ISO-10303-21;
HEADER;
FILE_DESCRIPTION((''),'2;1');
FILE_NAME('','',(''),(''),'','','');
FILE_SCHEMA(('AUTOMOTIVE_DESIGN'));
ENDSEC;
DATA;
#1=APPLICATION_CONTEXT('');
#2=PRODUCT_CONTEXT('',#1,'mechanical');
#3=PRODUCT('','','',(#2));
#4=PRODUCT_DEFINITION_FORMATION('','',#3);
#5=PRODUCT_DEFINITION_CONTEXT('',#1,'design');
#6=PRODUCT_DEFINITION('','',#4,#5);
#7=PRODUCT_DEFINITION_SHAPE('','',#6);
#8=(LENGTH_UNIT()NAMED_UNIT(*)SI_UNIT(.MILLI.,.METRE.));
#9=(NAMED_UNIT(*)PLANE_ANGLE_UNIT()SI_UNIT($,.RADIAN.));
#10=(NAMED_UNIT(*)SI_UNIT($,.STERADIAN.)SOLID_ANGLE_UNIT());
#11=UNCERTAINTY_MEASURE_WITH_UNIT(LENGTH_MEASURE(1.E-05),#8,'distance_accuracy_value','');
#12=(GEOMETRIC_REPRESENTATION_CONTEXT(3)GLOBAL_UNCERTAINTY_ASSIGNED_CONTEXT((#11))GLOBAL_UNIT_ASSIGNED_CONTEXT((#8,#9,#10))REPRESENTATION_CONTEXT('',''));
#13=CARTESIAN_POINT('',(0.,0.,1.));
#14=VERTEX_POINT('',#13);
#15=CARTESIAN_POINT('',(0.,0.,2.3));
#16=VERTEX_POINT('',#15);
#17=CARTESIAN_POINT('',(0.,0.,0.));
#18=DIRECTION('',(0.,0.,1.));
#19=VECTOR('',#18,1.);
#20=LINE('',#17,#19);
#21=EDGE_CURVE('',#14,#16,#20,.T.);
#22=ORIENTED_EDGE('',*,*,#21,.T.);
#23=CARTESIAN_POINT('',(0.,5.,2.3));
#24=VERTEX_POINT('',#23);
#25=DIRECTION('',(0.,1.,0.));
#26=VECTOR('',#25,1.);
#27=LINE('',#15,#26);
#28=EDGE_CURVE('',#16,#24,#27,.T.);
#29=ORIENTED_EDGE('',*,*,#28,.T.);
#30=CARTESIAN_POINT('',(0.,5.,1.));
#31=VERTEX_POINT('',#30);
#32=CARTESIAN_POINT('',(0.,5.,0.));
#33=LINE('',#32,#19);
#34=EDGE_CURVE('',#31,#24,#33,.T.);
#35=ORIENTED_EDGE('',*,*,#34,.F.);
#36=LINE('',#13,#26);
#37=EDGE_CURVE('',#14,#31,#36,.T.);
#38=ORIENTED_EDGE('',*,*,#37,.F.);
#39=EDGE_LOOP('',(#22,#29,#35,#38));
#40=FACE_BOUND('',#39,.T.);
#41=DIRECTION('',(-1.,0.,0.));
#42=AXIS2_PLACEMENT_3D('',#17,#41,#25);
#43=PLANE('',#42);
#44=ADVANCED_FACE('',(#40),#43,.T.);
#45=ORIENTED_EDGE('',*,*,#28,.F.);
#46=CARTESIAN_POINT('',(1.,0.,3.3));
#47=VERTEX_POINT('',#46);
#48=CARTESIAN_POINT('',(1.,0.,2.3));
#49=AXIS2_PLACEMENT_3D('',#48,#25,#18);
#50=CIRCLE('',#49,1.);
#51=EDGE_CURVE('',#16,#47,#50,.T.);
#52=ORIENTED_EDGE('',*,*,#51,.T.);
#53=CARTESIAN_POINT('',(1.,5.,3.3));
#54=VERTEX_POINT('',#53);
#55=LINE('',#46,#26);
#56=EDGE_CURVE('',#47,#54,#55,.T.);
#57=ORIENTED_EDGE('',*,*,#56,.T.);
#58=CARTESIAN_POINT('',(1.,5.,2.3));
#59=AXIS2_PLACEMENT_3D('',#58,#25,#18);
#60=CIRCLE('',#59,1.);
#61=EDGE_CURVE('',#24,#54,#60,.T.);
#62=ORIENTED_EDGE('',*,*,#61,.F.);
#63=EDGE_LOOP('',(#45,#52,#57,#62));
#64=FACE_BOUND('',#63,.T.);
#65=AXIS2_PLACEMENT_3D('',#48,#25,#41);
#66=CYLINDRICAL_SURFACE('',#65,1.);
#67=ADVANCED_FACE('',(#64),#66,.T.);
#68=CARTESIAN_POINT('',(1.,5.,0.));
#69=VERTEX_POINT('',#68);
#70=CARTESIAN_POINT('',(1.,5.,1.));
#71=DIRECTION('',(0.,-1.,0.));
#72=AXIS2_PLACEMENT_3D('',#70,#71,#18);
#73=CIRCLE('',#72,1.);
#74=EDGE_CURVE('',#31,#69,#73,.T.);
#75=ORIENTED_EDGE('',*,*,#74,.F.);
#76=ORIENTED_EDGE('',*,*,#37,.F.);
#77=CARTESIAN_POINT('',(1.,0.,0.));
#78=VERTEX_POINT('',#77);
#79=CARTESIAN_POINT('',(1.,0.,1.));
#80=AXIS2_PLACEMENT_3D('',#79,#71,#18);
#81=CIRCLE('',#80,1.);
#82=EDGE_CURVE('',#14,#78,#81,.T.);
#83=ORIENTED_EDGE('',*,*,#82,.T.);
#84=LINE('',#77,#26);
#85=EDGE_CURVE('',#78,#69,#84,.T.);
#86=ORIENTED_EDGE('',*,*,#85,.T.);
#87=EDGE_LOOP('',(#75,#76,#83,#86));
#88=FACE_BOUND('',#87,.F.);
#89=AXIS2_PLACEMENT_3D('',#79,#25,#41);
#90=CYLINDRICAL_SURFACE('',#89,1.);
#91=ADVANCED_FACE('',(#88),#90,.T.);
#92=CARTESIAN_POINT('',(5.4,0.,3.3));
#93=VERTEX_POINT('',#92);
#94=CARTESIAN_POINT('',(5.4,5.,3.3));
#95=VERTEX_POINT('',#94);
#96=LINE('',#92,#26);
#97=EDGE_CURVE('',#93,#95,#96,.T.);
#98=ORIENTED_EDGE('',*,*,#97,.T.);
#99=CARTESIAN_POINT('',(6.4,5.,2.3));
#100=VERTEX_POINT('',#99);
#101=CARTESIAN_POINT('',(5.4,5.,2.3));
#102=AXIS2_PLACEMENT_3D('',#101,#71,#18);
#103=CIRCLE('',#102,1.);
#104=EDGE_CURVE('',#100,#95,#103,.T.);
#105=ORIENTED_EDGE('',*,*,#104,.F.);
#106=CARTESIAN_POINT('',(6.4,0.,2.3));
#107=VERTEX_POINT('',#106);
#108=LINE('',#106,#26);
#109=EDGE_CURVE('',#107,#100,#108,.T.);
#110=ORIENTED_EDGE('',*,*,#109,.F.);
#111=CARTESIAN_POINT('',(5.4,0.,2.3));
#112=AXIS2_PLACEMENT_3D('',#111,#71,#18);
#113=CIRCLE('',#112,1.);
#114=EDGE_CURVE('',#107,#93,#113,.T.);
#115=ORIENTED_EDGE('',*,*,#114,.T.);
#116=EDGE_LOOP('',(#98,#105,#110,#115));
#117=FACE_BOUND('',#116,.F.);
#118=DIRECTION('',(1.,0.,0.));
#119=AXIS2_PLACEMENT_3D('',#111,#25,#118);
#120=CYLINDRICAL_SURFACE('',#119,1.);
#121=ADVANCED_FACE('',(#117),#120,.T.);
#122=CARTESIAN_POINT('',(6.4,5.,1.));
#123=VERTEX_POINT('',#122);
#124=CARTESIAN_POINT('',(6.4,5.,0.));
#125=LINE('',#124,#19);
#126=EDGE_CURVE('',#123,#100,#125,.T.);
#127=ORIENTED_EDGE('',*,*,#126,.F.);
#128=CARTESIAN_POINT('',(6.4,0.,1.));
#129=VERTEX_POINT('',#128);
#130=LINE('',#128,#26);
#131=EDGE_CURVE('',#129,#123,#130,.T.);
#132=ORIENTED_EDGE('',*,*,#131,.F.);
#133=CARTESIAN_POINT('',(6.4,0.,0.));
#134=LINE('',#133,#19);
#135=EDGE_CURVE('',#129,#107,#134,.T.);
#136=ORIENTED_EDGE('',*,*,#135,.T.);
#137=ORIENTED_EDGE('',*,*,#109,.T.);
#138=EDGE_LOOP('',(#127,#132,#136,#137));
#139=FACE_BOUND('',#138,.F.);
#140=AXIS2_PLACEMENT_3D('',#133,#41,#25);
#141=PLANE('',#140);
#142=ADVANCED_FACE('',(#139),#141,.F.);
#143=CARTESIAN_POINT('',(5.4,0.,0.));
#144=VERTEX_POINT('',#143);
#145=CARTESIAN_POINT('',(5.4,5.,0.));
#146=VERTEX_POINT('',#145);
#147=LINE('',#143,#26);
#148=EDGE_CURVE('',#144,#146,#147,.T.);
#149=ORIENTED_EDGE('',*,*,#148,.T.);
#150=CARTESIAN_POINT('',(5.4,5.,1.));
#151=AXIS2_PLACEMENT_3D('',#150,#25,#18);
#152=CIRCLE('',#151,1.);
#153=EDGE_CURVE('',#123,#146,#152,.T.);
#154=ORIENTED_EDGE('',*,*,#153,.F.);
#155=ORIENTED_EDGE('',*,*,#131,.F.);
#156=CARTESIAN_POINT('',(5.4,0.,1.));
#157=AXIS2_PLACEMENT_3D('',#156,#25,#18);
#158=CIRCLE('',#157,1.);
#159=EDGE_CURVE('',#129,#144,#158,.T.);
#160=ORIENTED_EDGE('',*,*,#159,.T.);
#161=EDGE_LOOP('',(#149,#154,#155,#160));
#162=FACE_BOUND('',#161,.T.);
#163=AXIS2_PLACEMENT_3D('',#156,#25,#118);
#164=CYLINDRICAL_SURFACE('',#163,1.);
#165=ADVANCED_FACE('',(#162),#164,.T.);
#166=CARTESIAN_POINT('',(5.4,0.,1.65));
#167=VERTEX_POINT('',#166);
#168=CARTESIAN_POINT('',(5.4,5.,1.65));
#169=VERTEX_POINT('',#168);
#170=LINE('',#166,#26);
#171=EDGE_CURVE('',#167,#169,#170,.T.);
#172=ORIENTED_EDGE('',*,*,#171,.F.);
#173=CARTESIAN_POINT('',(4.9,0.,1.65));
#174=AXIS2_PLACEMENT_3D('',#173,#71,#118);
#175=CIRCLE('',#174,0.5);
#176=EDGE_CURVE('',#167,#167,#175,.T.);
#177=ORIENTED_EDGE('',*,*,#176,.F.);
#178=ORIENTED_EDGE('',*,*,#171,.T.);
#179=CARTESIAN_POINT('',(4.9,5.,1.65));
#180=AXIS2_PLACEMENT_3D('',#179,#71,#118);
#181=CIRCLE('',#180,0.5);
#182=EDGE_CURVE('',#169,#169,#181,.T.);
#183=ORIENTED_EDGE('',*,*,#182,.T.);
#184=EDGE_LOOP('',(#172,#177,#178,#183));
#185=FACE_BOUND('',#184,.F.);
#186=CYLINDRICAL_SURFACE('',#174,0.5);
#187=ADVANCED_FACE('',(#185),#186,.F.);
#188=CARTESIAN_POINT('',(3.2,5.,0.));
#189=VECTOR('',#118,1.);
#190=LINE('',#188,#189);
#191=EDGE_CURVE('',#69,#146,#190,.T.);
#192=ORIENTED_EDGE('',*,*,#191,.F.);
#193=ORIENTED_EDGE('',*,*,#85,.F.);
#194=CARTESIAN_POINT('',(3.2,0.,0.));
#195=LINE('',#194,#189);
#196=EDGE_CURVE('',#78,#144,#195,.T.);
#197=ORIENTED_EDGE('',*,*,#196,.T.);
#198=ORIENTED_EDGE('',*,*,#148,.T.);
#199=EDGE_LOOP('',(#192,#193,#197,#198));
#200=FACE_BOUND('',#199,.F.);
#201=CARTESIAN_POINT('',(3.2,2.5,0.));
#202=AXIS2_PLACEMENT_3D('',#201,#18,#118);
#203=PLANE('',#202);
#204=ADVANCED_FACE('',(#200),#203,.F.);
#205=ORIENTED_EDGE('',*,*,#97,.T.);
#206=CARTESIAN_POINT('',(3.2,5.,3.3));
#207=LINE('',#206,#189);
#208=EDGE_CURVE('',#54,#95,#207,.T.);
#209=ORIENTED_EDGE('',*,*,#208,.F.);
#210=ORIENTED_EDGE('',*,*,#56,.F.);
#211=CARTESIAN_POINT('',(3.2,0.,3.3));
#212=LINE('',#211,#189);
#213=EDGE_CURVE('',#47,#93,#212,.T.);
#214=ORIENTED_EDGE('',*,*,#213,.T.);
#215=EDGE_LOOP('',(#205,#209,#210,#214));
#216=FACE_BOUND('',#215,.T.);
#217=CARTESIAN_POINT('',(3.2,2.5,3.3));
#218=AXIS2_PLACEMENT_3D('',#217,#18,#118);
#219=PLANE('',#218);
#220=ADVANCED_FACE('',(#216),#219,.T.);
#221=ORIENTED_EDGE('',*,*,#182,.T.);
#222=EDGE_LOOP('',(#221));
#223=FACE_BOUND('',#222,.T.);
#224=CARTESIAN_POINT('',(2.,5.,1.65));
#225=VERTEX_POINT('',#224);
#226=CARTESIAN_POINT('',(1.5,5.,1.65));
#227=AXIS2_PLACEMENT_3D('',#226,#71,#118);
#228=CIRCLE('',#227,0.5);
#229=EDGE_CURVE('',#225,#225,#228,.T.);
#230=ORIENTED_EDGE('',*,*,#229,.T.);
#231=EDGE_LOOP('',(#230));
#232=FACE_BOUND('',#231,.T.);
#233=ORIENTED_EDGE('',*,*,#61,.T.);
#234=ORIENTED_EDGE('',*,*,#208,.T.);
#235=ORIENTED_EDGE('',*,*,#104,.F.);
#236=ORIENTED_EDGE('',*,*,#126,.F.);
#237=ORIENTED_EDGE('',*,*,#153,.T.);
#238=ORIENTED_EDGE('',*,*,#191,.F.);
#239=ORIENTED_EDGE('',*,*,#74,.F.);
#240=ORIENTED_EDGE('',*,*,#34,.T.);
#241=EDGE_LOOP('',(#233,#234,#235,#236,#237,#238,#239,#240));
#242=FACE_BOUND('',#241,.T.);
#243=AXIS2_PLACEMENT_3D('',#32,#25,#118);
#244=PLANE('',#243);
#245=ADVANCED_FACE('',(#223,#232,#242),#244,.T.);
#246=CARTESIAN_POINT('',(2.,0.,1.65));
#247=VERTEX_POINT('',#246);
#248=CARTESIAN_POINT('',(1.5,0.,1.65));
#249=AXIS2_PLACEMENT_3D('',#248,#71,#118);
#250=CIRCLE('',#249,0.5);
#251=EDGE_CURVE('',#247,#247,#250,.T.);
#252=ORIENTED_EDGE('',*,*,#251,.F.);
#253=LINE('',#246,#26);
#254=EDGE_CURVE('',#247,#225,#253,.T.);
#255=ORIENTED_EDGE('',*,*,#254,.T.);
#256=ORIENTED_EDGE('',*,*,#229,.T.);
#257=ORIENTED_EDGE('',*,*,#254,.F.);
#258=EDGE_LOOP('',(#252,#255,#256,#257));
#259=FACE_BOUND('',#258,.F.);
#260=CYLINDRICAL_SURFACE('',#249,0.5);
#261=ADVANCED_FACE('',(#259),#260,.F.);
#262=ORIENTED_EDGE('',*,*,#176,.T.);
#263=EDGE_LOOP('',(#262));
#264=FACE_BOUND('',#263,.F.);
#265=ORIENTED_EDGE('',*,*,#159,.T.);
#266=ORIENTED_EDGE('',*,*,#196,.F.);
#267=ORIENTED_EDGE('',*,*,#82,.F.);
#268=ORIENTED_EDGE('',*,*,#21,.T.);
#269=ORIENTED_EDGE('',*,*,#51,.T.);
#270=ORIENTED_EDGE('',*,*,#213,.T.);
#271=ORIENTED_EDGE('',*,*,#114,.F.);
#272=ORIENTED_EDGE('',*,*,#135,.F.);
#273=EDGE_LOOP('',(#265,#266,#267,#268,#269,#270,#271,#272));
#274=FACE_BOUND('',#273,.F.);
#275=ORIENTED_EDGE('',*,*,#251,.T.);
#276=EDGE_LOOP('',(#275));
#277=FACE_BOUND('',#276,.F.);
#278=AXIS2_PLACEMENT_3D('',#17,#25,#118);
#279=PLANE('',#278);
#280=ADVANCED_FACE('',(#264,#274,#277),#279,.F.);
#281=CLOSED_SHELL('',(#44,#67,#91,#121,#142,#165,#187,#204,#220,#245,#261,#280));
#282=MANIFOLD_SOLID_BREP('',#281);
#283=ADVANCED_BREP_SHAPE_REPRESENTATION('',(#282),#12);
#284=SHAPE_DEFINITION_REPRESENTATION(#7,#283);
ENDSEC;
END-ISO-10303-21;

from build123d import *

# Parameters (mm, degrees)
F0_W     = 6.4
F0_H     = 5
F1_DEPTH = 3.3
F2_R     = 1
F3_R     = 0.5
F4_DEPTH = 5.001


with BuildPart() as f1:
    # F0 (on Top) → F1 (new body)
    with BuildSketch(Plane.XY):
        with Locations((3.2, 2.5)):
            Rectangle(F0_W, F0_H)
    extrude(amount=F1_DEPTH)

    # F2
    f2_edges = [f1.edges().sort_by_distance(p)[0] for p in [
        (0, 2.5, 3.3),
        (6.4, 2.5, 3.3),
        (6.4, 2.5, 0),
        (0, 2.5, 0),
    ]]
    fillet(f2_edges, radius=F2_R)

    # F3 (on face) → F4 (cut, through all)
    with BuildSketch(Plane.XZ):
        with Locations((1.5, 1.65)):
            Circle(F3_R)
        with Locations((4.9, 1.65)):
            Circle(F3_R)
    extrude(amount=-F4_DEPTH, mode=Mode.SUBTRACT)


solid = f1.part
